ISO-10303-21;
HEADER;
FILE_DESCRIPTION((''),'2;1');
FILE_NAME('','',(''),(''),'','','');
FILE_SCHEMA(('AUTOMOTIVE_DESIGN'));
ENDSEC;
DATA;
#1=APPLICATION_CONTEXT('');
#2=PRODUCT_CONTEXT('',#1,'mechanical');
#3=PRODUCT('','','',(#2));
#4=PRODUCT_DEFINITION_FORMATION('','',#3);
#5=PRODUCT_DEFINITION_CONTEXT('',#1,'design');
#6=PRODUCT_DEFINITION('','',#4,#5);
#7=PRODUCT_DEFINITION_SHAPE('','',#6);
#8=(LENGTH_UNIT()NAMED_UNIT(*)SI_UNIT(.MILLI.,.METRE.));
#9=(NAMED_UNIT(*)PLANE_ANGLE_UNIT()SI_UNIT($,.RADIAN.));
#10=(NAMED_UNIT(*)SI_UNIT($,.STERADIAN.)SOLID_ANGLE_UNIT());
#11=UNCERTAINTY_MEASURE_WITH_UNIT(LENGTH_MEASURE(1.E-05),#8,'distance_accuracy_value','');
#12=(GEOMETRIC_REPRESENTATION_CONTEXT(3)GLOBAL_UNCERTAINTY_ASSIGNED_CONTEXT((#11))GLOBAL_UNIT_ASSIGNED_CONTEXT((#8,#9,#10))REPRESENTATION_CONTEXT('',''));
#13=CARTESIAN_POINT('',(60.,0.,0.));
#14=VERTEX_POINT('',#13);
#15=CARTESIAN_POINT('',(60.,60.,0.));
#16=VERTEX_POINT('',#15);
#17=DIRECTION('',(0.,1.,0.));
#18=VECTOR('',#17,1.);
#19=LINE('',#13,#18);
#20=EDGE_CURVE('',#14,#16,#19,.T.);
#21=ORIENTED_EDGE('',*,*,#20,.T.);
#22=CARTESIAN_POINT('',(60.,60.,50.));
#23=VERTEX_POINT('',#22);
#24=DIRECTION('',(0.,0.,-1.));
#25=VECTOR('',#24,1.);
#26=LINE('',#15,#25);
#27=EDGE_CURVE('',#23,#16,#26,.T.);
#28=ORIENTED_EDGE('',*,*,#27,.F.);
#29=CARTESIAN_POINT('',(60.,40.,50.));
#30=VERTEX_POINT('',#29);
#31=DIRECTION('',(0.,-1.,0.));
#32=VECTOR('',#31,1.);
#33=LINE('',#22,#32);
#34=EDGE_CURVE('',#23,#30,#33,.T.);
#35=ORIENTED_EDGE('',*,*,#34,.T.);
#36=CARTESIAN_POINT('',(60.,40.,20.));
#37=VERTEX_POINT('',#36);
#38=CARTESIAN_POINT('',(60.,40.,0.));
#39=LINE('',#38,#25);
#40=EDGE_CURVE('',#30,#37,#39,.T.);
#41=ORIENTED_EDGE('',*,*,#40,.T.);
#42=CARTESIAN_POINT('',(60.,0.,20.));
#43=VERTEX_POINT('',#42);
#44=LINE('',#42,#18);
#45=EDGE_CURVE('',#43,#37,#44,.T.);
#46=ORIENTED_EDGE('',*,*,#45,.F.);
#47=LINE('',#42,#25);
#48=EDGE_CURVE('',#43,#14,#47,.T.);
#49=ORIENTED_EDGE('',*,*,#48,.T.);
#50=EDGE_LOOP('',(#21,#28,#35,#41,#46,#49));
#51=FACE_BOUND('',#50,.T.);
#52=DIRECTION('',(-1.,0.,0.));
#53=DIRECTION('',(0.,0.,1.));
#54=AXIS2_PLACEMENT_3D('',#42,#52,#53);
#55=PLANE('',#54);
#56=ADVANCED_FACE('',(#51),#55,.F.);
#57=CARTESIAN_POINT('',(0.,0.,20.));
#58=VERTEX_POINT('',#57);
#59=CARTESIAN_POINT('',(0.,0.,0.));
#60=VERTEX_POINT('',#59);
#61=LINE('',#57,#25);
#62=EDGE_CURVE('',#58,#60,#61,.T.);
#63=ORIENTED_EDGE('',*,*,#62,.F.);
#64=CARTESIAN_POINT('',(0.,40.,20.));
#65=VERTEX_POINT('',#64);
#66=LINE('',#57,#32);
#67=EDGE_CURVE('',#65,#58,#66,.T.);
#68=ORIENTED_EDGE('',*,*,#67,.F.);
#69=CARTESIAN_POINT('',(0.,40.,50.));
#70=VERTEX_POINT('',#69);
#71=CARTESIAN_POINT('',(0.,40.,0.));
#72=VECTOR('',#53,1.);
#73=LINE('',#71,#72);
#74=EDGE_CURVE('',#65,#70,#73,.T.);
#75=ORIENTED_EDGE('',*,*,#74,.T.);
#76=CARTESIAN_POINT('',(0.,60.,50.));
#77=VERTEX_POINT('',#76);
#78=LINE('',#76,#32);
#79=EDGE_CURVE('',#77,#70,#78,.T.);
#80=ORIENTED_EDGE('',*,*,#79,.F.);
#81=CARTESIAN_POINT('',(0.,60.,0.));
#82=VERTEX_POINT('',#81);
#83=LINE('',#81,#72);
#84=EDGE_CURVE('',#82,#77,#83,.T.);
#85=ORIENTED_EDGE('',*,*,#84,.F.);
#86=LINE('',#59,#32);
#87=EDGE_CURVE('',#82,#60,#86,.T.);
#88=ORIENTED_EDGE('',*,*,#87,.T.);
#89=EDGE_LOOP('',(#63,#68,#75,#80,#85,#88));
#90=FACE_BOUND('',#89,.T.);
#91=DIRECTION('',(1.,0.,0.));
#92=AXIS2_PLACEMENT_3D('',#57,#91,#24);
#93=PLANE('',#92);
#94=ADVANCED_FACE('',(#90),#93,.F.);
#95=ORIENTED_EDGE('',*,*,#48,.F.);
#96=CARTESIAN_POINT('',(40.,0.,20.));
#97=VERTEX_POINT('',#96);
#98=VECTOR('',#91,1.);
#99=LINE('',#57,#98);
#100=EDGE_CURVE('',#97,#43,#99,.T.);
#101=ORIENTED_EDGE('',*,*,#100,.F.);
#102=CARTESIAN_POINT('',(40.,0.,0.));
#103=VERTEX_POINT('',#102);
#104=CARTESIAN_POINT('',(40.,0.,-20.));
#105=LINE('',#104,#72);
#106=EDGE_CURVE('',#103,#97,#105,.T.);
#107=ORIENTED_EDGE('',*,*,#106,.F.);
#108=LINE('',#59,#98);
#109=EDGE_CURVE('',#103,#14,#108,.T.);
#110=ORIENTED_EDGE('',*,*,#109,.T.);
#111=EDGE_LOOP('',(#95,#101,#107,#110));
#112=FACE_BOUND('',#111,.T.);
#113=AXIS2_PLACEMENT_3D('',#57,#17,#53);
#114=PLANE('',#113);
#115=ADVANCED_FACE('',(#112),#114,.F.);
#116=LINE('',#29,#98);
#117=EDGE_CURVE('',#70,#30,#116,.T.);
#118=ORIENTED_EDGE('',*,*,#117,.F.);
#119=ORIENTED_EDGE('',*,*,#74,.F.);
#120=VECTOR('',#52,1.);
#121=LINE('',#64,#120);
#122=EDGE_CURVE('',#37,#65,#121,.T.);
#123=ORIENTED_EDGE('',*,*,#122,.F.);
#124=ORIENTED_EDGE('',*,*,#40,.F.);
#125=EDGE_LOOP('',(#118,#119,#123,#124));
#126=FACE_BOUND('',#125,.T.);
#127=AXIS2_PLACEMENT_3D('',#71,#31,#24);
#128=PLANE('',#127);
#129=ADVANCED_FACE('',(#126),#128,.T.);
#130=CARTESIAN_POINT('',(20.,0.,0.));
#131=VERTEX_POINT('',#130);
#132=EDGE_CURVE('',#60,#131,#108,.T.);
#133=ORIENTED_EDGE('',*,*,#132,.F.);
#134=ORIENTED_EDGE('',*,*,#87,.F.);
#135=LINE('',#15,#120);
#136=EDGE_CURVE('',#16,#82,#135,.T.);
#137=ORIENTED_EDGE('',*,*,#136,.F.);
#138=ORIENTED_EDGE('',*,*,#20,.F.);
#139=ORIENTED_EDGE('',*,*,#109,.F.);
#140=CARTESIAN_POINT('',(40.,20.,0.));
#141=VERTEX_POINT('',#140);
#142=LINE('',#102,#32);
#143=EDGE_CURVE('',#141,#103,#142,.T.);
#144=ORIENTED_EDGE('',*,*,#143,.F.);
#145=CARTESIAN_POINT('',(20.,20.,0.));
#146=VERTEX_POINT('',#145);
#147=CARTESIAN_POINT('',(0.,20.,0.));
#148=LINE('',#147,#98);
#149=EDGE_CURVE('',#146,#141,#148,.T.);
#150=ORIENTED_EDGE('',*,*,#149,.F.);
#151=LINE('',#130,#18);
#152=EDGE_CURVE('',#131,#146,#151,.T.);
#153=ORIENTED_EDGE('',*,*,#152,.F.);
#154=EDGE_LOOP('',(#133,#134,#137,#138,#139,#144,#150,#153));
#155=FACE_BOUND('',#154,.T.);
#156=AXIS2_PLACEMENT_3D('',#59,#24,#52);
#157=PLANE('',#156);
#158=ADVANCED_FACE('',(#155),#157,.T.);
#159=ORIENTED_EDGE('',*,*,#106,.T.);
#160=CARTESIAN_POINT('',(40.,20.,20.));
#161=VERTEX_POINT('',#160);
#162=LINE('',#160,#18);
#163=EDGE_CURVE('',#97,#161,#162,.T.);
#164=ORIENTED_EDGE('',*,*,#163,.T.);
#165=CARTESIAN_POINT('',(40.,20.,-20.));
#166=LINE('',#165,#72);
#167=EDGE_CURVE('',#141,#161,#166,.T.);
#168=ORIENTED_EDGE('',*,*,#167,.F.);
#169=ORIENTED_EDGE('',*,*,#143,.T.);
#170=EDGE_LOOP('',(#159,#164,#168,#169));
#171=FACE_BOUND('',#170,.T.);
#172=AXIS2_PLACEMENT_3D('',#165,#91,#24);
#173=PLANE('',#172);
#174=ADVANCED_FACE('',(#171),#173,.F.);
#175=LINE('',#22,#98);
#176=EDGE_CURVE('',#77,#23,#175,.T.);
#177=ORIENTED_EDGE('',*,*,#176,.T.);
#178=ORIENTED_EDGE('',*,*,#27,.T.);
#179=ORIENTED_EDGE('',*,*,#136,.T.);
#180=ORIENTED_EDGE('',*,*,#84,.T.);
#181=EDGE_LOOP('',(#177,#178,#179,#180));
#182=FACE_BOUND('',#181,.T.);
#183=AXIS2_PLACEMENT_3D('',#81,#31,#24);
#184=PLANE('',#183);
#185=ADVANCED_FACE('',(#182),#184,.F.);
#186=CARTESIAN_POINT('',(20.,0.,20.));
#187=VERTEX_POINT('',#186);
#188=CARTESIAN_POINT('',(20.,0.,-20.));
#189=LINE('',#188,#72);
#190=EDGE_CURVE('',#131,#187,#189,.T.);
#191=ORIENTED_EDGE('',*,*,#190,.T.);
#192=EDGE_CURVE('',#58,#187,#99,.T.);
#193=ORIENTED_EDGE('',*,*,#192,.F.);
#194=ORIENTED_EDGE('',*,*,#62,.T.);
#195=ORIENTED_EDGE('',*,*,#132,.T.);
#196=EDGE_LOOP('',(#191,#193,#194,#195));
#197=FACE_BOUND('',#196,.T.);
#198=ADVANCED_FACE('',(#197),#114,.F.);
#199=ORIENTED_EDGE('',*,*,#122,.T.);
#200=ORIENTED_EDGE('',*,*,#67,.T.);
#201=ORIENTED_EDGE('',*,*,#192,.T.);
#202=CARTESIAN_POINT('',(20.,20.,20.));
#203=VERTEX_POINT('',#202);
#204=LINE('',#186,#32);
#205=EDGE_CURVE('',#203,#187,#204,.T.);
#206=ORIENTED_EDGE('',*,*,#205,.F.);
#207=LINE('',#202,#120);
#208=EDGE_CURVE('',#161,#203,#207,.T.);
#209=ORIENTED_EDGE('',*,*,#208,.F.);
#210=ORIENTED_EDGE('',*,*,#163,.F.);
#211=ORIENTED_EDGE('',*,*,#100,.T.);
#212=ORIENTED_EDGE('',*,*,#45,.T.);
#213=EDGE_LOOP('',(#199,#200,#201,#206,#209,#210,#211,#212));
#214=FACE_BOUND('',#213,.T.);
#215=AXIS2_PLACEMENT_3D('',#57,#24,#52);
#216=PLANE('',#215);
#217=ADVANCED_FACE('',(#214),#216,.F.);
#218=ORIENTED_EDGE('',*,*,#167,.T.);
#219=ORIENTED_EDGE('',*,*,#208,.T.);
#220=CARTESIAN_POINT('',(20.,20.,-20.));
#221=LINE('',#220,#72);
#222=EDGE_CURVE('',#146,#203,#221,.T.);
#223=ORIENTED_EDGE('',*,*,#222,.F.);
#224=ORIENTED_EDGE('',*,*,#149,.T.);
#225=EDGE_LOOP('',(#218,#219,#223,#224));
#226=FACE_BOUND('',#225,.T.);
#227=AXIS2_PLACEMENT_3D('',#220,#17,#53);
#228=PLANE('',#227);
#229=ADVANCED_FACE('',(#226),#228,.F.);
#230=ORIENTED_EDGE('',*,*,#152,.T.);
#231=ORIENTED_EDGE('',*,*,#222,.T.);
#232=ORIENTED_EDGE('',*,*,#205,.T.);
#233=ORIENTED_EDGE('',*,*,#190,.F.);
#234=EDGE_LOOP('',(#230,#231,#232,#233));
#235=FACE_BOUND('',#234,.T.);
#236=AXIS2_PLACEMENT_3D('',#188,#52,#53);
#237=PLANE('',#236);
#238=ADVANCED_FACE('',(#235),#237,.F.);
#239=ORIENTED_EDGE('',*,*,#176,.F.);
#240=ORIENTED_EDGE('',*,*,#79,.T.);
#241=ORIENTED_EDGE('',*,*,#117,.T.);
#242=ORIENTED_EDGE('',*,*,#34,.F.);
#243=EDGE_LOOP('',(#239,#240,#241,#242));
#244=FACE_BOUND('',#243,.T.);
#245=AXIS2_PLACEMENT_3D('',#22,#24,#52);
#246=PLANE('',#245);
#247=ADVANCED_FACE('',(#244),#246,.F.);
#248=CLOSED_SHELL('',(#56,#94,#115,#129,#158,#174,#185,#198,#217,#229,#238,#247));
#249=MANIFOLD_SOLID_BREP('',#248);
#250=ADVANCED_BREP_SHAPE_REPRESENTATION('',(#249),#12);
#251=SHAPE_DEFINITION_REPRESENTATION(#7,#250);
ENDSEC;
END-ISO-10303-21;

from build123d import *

# Parameters (mm, degrees)
ESBO_O1_W                = 60
ESBO_O1_H                = 40
RESSALTO_EXTRUS_O1_DEPTH = 20
ESBO_O8_W                = 20
ESBO_O8_H                = 20
CORTE_EXTRUS_O2_DEPTH    = 40
ESBO_O9_W                = 60
ESBO_O9_H                = 50
RESSALTO_EXTRUS_O2_DEPTH = 20


with BuildPart() as part:
    # Esboço1 → Ressalto-extrusão1 (new body)
    with BuildSketch(Plane.XY):
        with Locations((30, 20)):
            Rectangle(ESBO_O1_W, ESBO_O1_H)
    extrude(amount=RESSALTO_EXTRUS_O1_DEPTH)

    # Esboço8 → Corte-extrusão2 (cut)
    with BuildSketch(Plane.XY.offset(20)):
        with Locations((30, 10)):
            Rectangle(ESBO_O8_W, ESBO_O8_H)
    extrude(amount=-CORTE_EXTRUS_O2_DEPTH, mode=Mode.SUBTRACT)

    # Esboço9 → Ressalto-extrusão2 (add)
    with BuildSketch(Plane(origin=(0, 40, 0), x_dir=(1, 0, 0), z_dir=(0, 1, 0))):
        with Locations((30, -25)):
            Rectangle(ESBO_O9_W, ESBO_O9_H)
    extrude(amount=RESSALTO_EXTRUS_O2_DEPTH)


solid = part.part
